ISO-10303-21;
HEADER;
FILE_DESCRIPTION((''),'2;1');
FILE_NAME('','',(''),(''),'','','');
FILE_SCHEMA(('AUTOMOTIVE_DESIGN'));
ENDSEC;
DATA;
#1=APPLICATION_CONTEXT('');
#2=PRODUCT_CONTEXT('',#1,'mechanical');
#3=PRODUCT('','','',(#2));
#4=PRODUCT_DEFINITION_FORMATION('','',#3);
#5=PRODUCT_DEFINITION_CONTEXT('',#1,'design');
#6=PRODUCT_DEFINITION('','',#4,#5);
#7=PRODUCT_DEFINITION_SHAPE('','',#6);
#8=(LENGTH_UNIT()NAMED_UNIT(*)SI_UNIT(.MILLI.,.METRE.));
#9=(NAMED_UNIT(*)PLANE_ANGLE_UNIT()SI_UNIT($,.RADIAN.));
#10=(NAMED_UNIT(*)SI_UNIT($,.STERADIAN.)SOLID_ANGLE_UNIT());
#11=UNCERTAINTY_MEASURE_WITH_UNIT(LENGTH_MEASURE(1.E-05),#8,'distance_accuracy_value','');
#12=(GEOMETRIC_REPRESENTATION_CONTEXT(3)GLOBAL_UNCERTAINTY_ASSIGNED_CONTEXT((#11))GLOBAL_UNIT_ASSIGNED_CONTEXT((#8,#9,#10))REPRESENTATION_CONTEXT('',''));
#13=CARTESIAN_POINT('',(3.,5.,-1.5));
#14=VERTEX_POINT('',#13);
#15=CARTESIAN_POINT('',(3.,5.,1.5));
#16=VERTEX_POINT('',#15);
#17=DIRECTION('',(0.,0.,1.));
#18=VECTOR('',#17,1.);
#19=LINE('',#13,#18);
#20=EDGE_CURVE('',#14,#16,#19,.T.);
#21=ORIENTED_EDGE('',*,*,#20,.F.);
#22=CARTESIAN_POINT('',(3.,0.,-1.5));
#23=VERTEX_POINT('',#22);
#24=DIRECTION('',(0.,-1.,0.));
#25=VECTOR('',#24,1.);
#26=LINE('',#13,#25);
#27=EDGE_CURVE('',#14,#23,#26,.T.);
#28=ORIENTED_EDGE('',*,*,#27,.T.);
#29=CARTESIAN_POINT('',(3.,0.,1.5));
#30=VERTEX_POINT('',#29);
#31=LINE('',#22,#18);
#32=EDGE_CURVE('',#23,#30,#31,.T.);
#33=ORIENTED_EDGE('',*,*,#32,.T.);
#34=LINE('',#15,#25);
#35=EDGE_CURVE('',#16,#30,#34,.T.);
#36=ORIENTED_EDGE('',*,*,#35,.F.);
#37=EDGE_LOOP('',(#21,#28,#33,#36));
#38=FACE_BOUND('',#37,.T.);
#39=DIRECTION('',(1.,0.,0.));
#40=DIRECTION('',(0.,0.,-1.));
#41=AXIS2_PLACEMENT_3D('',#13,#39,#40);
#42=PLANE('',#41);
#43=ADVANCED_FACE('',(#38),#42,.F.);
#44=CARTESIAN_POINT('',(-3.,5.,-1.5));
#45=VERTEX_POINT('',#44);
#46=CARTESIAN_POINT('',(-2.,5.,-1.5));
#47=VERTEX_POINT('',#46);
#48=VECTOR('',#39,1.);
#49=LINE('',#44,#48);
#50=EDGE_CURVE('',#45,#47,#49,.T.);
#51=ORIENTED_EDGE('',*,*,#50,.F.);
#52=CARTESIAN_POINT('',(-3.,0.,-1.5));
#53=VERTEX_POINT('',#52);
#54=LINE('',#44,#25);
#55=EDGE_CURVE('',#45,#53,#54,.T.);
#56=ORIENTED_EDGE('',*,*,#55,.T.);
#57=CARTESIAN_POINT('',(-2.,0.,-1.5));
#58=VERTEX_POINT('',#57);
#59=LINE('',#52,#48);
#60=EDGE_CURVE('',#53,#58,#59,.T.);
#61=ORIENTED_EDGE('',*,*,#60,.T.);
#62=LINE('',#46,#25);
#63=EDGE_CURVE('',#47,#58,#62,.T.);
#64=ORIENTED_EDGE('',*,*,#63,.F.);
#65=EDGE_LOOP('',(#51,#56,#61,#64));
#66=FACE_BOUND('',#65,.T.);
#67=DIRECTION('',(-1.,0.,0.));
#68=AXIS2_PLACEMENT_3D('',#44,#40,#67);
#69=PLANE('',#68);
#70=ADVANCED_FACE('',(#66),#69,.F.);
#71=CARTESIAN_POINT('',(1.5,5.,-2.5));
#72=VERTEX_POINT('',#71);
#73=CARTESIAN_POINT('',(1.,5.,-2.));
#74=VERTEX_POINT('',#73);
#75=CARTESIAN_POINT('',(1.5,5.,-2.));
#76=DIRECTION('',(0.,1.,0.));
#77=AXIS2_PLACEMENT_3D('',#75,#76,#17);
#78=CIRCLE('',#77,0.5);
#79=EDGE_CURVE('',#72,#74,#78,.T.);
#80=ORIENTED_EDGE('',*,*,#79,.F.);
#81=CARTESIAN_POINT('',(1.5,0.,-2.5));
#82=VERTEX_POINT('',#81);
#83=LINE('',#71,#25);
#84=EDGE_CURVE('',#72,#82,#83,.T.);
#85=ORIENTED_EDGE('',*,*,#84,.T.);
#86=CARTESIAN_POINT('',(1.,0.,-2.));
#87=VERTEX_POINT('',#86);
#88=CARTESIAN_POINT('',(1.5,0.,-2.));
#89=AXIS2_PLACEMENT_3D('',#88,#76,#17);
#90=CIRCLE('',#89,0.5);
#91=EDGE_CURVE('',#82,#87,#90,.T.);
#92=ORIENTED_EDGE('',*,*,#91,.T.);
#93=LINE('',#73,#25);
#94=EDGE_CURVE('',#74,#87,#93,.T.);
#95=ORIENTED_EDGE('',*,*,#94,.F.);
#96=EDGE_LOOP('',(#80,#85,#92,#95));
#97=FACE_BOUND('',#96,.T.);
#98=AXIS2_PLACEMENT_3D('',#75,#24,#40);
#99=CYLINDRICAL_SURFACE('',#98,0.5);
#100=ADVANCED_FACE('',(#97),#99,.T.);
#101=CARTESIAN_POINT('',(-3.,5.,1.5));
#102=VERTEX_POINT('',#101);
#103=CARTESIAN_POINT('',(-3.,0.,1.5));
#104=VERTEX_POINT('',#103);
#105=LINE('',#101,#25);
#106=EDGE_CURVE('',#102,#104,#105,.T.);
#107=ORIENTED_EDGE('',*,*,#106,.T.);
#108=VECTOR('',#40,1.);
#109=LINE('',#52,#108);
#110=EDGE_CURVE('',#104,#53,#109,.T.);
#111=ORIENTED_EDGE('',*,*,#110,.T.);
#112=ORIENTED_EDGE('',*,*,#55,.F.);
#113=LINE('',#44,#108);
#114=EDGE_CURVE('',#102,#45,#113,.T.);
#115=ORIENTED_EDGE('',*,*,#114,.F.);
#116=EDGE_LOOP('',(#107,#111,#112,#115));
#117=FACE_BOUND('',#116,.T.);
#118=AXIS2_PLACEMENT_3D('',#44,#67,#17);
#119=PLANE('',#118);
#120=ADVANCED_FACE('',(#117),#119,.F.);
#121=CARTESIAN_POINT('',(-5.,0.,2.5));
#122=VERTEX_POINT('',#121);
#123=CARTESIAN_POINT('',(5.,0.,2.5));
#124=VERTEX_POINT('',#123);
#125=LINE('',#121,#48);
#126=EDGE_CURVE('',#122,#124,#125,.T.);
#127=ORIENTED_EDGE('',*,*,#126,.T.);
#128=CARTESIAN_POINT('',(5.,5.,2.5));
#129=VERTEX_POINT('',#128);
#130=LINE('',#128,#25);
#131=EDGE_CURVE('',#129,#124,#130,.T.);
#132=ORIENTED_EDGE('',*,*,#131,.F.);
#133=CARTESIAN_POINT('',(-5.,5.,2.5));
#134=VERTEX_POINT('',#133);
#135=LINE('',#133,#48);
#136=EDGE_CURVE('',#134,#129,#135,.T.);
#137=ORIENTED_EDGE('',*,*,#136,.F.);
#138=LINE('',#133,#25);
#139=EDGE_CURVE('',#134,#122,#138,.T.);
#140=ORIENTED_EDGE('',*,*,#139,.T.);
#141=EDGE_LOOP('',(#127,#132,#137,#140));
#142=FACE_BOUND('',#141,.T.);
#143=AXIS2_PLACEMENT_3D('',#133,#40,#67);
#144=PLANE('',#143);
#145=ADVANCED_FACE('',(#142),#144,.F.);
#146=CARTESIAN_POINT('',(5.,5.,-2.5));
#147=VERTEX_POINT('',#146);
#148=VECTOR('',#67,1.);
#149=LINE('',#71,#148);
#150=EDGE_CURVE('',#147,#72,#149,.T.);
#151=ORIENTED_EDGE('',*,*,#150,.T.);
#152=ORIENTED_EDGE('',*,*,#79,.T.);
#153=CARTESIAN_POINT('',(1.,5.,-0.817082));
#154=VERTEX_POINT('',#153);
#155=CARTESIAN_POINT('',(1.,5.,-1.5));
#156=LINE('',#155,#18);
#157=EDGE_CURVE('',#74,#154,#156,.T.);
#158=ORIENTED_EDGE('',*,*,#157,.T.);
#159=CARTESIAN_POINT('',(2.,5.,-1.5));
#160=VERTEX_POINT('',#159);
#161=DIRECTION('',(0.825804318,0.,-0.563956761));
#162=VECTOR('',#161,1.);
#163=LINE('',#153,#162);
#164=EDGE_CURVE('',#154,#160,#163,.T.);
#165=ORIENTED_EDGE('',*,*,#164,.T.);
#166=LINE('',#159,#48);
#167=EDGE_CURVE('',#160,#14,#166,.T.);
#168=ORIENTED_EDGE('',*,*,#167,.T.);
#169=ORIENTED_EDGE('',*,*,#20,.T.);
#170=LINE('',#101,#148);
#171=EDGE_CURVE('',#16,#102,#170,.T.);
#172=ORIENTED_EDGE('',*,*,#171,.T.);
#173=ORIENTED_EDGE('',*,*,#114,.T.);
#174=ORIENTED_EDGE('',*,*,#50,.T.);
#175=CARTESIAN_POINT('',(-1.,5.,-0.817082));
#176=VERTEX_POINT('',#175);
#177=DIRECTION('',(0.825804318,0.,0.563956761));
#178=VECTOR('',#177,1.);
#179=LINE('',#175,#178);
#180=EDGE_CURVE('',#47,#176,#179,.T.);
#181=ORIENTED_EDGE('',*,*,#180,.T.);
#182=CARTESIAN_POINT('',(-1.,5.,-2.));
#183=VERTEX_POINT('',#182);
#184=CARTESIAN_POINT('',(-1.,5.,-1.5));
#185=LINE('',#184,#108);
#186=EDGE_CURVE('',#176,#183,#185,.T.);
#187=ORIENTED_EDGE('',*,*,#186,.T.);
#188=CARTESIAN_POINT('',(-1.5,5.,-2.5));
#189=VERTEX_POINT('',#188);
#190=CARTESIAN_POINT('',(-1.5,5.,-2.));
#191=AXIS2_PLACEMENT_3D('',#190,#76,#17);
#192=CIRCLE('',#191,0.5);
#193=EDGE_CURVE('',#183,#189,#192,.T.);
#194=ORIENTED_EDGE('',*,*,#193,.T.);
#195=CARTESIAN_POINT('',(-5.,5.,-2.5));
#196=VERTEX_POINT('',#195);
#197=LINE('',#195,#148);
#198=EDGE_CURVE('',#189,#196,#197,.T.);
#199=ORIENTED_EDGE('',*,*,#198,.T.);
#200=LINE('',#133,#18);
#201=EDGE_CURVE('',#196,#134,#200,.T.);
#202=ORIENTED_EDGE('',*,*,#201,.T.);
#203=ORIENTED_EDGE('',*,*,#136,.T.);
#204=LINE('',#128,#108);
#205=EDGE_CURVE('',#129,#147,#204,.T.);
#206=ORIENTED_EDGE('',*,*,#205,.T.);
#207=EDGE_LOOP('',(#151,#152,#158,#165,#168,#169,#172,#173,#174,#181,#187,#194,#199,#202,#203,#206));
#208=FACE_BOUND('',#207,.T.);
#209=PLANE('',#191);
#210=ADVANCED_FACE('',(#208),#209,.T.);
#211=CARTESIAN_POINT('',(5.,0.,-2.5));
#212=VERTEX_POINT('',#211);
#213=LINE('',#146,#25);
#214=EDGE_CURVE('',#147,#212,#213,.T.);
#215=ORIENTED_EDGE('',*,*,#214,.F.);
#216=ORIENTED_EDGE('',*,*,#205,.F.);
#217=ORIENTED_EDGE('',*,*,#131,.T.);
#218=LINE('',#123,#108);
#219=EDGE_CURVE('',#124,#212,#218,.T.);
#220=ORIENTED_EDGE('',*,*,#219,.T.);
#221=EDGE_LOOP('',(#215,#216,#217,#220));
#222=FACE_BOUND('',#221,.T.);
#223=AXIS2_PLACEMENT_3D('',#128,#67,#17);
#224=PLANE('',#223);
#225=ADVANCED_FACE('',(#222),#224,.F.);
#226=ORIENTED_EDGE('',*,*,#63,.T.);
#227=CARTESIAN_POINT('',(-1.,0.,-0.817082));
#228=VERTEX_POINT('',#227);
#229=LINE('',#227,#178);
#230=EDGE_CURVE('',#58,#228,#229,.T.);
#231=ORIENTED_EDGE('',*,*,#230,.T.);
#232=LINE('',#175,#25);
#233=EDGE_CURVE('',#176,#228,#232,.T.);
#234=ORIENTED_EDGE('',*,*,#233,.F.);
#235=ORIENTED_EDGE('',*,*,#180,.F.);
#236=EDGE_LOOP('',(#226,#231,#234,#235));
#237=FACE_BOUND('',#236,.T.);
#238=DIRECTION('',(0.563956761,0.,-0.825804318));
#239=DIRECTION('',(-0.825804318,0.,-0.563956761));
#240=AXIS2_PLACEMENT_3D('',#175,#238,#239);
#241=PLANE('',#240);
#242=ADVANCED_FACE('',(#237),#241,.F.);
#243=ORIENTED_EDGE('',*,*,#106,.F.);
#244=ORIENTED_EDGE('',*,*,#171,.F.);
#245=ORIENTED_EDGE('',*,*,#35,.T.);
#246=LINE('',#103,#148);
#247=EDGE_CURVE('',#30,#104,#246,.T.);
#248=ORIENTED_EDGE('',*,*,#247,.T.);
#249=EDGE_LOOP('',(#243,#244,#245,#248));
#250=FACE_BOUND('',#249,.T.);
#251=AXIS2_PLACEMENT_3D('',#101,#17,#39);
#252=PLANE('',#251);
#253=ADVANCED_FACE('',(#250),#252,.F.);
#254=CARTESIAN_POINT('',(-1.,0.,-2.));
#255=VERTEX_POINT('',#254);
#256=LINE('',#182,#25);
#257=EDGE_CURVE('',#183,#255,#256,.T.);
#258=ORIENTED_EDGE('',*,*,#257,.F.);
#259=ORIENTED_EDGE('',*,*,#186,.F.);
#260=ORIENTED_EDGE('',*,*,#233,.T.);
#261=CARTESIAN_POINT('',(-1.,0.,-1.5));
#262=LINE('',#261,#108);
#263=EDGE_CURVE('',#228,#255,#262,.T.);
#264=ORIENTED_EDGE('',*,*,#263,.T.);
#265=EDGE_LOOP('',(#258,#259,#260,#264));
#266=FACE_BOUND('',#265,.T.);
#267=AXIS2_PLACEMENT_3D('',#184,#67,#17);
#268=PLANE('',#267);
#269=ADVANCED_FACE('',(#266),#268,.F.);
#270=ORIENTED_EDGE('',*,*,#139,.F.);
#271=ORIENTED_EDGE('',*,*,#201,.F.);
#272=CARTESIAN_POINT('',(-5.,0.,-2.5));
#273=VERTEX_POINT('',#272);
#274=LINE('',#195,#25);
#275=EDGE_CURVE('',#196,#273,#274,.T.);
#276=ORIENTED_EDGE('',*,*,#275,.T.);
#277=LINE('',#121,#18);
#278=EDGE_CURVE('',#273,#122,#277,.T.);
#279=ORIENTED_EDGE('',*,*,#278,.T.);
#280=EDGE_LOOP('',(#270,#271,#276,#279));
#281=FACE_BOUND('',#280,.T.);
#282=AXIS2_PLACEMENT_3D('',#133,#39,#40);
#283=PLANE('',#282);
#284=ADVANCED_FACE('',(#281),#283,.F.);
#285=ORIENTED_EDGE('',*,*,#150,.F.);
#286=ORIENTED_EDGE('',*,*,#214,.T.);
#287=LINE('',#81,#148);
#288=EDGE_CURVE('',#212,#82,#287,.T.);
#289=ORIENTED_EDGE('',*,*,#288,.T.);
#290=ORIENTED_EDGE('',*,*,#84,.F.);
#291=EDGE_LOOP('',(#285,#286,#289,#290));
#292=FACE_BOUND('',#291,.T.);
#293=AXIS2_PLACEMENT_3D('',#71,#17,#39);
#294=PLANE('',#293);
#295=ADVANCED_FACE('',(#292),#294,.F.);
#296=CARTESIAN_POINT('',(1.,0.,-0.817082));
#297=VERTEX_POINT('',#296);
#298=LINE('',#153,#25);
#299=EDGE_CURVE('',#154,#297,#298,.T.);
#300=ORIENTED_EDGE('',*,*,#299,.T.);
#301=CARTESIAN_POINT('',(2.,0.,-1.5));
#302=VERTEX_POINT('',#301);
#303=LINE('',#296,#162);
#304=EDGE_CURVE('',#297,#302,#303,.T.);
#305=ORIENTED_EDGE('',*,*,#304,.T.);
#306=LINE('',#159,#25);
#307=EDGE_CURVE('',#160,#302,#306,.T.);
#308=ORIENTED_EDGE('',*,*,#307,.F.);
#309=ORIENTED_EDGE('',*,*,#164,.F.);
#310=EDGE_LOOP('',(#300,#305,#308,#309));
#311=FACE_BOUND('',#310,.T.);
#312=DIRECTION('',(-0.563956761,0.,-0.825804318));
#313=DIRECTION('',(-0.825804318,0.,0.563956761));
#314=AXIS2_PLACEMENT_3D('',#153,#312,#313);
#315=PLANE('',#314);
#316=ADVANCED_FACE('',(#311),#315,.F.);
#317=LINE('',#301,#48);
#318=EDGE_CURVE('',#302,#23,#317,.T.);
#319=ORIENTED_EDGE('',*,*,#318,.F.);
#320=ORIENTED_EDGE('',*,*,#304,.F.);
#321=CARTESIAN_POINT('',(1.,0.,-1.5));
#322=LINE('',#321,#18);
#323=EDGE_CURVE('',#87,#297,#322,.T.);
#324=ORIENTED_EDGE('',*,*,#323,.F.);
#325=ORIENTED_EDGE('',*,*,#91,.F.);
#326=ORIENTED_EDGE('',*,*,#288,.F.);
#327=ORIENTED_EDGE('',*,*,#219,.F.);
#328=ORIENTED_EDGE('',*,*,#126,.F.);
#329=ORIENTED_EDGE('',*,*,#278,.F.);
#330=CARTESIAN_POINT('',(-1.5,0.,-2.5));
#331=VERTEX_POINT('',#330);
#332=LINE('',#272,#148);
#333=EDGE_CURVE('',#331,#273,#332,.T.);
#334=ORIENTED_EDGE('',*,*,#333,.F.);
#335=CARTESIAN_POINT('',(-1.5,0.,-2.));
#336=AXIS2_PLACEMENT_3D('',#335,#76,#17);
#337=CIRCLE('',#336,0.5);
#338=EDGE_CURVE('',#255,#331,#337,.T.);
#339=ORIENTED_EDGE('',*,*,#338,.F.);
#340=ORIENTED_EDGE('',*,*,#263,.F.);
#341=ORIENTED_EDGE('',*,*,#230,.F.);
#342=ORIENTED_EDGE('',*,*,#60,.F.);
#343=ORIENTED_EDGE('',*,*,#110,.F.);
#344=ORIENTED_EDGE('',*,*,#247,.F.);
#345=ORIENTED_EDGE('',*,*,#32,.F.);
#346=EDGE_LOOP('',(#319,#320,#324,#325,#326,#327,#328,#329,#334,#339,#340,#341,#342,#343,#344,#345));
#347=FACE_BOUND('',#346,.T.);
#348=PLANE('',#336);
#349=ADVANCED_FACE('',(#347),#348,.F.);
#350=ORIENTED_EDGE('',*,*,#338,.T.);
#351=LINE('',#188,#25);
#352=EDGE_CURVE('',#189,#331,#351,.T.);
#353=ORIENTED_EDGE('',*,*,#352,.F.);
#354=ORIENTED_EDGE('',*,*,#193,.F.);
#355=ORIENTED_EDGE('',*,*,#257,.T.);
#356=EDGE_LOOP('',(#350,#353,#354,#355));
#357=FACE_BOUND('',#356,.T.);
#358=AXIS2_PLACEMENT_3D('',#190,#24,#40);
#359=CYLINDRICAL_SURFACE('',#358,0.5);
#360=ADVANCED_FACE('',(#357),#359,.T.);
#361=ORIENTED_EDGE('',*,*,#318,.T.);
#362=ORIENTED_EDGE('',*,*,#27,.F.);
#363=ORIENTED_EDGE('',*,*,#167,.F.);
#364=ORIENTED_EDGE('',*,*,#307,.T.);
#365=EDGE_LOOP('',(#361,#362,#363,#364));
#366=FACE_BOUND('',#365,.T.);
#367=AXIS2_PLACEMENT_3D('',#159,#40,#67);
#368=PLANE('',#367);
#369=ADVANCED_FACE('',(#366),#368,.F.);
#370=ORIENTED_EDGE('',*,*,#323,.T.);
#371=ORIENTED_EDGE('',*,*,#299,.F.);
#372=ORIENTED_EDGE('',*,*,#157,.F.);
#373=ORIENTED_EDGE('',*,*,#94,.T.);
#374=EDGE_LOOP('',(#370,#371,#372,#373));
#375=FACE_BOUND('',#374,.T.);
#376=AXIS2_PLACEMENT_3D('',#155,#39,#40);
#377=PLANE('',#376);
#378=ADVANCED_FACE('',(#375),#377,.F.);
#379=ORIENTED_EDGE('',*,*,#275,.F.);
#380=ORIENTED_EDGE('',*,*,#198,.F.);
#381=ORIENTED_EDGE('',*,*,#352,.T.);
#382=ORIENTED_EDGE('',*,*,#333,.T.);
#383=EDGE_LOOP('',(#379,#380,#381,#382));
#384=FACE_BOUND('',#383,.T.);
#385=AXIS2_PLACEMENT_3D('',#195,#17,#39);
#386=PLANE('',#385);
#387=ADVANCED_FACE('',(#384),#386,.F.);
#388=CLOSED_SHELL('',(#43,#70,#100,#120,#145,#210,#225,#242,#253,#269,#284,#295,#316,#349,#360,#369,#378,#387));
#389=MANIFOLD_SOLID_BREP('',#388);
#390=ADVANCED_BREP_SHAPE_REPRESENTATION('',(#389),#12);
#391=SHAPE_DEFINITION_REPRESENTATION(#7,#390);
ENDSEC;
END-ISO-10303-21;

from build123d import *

# Parameters (mm, degrees)
BOSS_EXTRUDE1_DEPTH = 5


with BuildPart() as part:
    # Sketch1 → Boss-Extrude1 (new body)
    with BuildSketch(Plane(origin=(0, 0, 0), x_dir=(1, 0, 0), z_dir=(0, 1, 0))):
        with BuildLine():
            Line((1, 1.5), (1, 0.817081844))
            Line((1, 0.817081844), (2, 1.5))
            Line((2, 1.5), (3, 1.5))
            Line((3, 1.5), (3, -1.5))
            Line((3, -1.5), (-3, -1.5))
            Line((-3, -1.5), (-3, 1.5))
            Line((-3, 1.5), (-2, 1.5))
            Line((-2, 1.5), (-1, 0.817081844))
            Line((-1, 0.817081844), (-1, 1.5))
            Line((-1, 1.5), (-1, 2))
            ThreePointArc((-1, 2), (-1.146446609, 2.353553391), (-1.5, 2.5))
            Line((-1.5, 2.5), (-5, 2.5))
            Line((-5, 2.5), (-5, -2.5))
            Line((-5, -2.5), (5, -2.5))
            Line((5, -2.5), (5, 2.5))
            Line((5, 2.5), (1.5, 2.5))
            ThreePointArc((1.5, 2.5), (1.146446609, 2.353553391), (1, 2))
            Line((1, 2), (1, 1.5))
        make_face()
    extrude(amount=BOSS_EXTRUDE1_DEPTH)


solid = part.part
